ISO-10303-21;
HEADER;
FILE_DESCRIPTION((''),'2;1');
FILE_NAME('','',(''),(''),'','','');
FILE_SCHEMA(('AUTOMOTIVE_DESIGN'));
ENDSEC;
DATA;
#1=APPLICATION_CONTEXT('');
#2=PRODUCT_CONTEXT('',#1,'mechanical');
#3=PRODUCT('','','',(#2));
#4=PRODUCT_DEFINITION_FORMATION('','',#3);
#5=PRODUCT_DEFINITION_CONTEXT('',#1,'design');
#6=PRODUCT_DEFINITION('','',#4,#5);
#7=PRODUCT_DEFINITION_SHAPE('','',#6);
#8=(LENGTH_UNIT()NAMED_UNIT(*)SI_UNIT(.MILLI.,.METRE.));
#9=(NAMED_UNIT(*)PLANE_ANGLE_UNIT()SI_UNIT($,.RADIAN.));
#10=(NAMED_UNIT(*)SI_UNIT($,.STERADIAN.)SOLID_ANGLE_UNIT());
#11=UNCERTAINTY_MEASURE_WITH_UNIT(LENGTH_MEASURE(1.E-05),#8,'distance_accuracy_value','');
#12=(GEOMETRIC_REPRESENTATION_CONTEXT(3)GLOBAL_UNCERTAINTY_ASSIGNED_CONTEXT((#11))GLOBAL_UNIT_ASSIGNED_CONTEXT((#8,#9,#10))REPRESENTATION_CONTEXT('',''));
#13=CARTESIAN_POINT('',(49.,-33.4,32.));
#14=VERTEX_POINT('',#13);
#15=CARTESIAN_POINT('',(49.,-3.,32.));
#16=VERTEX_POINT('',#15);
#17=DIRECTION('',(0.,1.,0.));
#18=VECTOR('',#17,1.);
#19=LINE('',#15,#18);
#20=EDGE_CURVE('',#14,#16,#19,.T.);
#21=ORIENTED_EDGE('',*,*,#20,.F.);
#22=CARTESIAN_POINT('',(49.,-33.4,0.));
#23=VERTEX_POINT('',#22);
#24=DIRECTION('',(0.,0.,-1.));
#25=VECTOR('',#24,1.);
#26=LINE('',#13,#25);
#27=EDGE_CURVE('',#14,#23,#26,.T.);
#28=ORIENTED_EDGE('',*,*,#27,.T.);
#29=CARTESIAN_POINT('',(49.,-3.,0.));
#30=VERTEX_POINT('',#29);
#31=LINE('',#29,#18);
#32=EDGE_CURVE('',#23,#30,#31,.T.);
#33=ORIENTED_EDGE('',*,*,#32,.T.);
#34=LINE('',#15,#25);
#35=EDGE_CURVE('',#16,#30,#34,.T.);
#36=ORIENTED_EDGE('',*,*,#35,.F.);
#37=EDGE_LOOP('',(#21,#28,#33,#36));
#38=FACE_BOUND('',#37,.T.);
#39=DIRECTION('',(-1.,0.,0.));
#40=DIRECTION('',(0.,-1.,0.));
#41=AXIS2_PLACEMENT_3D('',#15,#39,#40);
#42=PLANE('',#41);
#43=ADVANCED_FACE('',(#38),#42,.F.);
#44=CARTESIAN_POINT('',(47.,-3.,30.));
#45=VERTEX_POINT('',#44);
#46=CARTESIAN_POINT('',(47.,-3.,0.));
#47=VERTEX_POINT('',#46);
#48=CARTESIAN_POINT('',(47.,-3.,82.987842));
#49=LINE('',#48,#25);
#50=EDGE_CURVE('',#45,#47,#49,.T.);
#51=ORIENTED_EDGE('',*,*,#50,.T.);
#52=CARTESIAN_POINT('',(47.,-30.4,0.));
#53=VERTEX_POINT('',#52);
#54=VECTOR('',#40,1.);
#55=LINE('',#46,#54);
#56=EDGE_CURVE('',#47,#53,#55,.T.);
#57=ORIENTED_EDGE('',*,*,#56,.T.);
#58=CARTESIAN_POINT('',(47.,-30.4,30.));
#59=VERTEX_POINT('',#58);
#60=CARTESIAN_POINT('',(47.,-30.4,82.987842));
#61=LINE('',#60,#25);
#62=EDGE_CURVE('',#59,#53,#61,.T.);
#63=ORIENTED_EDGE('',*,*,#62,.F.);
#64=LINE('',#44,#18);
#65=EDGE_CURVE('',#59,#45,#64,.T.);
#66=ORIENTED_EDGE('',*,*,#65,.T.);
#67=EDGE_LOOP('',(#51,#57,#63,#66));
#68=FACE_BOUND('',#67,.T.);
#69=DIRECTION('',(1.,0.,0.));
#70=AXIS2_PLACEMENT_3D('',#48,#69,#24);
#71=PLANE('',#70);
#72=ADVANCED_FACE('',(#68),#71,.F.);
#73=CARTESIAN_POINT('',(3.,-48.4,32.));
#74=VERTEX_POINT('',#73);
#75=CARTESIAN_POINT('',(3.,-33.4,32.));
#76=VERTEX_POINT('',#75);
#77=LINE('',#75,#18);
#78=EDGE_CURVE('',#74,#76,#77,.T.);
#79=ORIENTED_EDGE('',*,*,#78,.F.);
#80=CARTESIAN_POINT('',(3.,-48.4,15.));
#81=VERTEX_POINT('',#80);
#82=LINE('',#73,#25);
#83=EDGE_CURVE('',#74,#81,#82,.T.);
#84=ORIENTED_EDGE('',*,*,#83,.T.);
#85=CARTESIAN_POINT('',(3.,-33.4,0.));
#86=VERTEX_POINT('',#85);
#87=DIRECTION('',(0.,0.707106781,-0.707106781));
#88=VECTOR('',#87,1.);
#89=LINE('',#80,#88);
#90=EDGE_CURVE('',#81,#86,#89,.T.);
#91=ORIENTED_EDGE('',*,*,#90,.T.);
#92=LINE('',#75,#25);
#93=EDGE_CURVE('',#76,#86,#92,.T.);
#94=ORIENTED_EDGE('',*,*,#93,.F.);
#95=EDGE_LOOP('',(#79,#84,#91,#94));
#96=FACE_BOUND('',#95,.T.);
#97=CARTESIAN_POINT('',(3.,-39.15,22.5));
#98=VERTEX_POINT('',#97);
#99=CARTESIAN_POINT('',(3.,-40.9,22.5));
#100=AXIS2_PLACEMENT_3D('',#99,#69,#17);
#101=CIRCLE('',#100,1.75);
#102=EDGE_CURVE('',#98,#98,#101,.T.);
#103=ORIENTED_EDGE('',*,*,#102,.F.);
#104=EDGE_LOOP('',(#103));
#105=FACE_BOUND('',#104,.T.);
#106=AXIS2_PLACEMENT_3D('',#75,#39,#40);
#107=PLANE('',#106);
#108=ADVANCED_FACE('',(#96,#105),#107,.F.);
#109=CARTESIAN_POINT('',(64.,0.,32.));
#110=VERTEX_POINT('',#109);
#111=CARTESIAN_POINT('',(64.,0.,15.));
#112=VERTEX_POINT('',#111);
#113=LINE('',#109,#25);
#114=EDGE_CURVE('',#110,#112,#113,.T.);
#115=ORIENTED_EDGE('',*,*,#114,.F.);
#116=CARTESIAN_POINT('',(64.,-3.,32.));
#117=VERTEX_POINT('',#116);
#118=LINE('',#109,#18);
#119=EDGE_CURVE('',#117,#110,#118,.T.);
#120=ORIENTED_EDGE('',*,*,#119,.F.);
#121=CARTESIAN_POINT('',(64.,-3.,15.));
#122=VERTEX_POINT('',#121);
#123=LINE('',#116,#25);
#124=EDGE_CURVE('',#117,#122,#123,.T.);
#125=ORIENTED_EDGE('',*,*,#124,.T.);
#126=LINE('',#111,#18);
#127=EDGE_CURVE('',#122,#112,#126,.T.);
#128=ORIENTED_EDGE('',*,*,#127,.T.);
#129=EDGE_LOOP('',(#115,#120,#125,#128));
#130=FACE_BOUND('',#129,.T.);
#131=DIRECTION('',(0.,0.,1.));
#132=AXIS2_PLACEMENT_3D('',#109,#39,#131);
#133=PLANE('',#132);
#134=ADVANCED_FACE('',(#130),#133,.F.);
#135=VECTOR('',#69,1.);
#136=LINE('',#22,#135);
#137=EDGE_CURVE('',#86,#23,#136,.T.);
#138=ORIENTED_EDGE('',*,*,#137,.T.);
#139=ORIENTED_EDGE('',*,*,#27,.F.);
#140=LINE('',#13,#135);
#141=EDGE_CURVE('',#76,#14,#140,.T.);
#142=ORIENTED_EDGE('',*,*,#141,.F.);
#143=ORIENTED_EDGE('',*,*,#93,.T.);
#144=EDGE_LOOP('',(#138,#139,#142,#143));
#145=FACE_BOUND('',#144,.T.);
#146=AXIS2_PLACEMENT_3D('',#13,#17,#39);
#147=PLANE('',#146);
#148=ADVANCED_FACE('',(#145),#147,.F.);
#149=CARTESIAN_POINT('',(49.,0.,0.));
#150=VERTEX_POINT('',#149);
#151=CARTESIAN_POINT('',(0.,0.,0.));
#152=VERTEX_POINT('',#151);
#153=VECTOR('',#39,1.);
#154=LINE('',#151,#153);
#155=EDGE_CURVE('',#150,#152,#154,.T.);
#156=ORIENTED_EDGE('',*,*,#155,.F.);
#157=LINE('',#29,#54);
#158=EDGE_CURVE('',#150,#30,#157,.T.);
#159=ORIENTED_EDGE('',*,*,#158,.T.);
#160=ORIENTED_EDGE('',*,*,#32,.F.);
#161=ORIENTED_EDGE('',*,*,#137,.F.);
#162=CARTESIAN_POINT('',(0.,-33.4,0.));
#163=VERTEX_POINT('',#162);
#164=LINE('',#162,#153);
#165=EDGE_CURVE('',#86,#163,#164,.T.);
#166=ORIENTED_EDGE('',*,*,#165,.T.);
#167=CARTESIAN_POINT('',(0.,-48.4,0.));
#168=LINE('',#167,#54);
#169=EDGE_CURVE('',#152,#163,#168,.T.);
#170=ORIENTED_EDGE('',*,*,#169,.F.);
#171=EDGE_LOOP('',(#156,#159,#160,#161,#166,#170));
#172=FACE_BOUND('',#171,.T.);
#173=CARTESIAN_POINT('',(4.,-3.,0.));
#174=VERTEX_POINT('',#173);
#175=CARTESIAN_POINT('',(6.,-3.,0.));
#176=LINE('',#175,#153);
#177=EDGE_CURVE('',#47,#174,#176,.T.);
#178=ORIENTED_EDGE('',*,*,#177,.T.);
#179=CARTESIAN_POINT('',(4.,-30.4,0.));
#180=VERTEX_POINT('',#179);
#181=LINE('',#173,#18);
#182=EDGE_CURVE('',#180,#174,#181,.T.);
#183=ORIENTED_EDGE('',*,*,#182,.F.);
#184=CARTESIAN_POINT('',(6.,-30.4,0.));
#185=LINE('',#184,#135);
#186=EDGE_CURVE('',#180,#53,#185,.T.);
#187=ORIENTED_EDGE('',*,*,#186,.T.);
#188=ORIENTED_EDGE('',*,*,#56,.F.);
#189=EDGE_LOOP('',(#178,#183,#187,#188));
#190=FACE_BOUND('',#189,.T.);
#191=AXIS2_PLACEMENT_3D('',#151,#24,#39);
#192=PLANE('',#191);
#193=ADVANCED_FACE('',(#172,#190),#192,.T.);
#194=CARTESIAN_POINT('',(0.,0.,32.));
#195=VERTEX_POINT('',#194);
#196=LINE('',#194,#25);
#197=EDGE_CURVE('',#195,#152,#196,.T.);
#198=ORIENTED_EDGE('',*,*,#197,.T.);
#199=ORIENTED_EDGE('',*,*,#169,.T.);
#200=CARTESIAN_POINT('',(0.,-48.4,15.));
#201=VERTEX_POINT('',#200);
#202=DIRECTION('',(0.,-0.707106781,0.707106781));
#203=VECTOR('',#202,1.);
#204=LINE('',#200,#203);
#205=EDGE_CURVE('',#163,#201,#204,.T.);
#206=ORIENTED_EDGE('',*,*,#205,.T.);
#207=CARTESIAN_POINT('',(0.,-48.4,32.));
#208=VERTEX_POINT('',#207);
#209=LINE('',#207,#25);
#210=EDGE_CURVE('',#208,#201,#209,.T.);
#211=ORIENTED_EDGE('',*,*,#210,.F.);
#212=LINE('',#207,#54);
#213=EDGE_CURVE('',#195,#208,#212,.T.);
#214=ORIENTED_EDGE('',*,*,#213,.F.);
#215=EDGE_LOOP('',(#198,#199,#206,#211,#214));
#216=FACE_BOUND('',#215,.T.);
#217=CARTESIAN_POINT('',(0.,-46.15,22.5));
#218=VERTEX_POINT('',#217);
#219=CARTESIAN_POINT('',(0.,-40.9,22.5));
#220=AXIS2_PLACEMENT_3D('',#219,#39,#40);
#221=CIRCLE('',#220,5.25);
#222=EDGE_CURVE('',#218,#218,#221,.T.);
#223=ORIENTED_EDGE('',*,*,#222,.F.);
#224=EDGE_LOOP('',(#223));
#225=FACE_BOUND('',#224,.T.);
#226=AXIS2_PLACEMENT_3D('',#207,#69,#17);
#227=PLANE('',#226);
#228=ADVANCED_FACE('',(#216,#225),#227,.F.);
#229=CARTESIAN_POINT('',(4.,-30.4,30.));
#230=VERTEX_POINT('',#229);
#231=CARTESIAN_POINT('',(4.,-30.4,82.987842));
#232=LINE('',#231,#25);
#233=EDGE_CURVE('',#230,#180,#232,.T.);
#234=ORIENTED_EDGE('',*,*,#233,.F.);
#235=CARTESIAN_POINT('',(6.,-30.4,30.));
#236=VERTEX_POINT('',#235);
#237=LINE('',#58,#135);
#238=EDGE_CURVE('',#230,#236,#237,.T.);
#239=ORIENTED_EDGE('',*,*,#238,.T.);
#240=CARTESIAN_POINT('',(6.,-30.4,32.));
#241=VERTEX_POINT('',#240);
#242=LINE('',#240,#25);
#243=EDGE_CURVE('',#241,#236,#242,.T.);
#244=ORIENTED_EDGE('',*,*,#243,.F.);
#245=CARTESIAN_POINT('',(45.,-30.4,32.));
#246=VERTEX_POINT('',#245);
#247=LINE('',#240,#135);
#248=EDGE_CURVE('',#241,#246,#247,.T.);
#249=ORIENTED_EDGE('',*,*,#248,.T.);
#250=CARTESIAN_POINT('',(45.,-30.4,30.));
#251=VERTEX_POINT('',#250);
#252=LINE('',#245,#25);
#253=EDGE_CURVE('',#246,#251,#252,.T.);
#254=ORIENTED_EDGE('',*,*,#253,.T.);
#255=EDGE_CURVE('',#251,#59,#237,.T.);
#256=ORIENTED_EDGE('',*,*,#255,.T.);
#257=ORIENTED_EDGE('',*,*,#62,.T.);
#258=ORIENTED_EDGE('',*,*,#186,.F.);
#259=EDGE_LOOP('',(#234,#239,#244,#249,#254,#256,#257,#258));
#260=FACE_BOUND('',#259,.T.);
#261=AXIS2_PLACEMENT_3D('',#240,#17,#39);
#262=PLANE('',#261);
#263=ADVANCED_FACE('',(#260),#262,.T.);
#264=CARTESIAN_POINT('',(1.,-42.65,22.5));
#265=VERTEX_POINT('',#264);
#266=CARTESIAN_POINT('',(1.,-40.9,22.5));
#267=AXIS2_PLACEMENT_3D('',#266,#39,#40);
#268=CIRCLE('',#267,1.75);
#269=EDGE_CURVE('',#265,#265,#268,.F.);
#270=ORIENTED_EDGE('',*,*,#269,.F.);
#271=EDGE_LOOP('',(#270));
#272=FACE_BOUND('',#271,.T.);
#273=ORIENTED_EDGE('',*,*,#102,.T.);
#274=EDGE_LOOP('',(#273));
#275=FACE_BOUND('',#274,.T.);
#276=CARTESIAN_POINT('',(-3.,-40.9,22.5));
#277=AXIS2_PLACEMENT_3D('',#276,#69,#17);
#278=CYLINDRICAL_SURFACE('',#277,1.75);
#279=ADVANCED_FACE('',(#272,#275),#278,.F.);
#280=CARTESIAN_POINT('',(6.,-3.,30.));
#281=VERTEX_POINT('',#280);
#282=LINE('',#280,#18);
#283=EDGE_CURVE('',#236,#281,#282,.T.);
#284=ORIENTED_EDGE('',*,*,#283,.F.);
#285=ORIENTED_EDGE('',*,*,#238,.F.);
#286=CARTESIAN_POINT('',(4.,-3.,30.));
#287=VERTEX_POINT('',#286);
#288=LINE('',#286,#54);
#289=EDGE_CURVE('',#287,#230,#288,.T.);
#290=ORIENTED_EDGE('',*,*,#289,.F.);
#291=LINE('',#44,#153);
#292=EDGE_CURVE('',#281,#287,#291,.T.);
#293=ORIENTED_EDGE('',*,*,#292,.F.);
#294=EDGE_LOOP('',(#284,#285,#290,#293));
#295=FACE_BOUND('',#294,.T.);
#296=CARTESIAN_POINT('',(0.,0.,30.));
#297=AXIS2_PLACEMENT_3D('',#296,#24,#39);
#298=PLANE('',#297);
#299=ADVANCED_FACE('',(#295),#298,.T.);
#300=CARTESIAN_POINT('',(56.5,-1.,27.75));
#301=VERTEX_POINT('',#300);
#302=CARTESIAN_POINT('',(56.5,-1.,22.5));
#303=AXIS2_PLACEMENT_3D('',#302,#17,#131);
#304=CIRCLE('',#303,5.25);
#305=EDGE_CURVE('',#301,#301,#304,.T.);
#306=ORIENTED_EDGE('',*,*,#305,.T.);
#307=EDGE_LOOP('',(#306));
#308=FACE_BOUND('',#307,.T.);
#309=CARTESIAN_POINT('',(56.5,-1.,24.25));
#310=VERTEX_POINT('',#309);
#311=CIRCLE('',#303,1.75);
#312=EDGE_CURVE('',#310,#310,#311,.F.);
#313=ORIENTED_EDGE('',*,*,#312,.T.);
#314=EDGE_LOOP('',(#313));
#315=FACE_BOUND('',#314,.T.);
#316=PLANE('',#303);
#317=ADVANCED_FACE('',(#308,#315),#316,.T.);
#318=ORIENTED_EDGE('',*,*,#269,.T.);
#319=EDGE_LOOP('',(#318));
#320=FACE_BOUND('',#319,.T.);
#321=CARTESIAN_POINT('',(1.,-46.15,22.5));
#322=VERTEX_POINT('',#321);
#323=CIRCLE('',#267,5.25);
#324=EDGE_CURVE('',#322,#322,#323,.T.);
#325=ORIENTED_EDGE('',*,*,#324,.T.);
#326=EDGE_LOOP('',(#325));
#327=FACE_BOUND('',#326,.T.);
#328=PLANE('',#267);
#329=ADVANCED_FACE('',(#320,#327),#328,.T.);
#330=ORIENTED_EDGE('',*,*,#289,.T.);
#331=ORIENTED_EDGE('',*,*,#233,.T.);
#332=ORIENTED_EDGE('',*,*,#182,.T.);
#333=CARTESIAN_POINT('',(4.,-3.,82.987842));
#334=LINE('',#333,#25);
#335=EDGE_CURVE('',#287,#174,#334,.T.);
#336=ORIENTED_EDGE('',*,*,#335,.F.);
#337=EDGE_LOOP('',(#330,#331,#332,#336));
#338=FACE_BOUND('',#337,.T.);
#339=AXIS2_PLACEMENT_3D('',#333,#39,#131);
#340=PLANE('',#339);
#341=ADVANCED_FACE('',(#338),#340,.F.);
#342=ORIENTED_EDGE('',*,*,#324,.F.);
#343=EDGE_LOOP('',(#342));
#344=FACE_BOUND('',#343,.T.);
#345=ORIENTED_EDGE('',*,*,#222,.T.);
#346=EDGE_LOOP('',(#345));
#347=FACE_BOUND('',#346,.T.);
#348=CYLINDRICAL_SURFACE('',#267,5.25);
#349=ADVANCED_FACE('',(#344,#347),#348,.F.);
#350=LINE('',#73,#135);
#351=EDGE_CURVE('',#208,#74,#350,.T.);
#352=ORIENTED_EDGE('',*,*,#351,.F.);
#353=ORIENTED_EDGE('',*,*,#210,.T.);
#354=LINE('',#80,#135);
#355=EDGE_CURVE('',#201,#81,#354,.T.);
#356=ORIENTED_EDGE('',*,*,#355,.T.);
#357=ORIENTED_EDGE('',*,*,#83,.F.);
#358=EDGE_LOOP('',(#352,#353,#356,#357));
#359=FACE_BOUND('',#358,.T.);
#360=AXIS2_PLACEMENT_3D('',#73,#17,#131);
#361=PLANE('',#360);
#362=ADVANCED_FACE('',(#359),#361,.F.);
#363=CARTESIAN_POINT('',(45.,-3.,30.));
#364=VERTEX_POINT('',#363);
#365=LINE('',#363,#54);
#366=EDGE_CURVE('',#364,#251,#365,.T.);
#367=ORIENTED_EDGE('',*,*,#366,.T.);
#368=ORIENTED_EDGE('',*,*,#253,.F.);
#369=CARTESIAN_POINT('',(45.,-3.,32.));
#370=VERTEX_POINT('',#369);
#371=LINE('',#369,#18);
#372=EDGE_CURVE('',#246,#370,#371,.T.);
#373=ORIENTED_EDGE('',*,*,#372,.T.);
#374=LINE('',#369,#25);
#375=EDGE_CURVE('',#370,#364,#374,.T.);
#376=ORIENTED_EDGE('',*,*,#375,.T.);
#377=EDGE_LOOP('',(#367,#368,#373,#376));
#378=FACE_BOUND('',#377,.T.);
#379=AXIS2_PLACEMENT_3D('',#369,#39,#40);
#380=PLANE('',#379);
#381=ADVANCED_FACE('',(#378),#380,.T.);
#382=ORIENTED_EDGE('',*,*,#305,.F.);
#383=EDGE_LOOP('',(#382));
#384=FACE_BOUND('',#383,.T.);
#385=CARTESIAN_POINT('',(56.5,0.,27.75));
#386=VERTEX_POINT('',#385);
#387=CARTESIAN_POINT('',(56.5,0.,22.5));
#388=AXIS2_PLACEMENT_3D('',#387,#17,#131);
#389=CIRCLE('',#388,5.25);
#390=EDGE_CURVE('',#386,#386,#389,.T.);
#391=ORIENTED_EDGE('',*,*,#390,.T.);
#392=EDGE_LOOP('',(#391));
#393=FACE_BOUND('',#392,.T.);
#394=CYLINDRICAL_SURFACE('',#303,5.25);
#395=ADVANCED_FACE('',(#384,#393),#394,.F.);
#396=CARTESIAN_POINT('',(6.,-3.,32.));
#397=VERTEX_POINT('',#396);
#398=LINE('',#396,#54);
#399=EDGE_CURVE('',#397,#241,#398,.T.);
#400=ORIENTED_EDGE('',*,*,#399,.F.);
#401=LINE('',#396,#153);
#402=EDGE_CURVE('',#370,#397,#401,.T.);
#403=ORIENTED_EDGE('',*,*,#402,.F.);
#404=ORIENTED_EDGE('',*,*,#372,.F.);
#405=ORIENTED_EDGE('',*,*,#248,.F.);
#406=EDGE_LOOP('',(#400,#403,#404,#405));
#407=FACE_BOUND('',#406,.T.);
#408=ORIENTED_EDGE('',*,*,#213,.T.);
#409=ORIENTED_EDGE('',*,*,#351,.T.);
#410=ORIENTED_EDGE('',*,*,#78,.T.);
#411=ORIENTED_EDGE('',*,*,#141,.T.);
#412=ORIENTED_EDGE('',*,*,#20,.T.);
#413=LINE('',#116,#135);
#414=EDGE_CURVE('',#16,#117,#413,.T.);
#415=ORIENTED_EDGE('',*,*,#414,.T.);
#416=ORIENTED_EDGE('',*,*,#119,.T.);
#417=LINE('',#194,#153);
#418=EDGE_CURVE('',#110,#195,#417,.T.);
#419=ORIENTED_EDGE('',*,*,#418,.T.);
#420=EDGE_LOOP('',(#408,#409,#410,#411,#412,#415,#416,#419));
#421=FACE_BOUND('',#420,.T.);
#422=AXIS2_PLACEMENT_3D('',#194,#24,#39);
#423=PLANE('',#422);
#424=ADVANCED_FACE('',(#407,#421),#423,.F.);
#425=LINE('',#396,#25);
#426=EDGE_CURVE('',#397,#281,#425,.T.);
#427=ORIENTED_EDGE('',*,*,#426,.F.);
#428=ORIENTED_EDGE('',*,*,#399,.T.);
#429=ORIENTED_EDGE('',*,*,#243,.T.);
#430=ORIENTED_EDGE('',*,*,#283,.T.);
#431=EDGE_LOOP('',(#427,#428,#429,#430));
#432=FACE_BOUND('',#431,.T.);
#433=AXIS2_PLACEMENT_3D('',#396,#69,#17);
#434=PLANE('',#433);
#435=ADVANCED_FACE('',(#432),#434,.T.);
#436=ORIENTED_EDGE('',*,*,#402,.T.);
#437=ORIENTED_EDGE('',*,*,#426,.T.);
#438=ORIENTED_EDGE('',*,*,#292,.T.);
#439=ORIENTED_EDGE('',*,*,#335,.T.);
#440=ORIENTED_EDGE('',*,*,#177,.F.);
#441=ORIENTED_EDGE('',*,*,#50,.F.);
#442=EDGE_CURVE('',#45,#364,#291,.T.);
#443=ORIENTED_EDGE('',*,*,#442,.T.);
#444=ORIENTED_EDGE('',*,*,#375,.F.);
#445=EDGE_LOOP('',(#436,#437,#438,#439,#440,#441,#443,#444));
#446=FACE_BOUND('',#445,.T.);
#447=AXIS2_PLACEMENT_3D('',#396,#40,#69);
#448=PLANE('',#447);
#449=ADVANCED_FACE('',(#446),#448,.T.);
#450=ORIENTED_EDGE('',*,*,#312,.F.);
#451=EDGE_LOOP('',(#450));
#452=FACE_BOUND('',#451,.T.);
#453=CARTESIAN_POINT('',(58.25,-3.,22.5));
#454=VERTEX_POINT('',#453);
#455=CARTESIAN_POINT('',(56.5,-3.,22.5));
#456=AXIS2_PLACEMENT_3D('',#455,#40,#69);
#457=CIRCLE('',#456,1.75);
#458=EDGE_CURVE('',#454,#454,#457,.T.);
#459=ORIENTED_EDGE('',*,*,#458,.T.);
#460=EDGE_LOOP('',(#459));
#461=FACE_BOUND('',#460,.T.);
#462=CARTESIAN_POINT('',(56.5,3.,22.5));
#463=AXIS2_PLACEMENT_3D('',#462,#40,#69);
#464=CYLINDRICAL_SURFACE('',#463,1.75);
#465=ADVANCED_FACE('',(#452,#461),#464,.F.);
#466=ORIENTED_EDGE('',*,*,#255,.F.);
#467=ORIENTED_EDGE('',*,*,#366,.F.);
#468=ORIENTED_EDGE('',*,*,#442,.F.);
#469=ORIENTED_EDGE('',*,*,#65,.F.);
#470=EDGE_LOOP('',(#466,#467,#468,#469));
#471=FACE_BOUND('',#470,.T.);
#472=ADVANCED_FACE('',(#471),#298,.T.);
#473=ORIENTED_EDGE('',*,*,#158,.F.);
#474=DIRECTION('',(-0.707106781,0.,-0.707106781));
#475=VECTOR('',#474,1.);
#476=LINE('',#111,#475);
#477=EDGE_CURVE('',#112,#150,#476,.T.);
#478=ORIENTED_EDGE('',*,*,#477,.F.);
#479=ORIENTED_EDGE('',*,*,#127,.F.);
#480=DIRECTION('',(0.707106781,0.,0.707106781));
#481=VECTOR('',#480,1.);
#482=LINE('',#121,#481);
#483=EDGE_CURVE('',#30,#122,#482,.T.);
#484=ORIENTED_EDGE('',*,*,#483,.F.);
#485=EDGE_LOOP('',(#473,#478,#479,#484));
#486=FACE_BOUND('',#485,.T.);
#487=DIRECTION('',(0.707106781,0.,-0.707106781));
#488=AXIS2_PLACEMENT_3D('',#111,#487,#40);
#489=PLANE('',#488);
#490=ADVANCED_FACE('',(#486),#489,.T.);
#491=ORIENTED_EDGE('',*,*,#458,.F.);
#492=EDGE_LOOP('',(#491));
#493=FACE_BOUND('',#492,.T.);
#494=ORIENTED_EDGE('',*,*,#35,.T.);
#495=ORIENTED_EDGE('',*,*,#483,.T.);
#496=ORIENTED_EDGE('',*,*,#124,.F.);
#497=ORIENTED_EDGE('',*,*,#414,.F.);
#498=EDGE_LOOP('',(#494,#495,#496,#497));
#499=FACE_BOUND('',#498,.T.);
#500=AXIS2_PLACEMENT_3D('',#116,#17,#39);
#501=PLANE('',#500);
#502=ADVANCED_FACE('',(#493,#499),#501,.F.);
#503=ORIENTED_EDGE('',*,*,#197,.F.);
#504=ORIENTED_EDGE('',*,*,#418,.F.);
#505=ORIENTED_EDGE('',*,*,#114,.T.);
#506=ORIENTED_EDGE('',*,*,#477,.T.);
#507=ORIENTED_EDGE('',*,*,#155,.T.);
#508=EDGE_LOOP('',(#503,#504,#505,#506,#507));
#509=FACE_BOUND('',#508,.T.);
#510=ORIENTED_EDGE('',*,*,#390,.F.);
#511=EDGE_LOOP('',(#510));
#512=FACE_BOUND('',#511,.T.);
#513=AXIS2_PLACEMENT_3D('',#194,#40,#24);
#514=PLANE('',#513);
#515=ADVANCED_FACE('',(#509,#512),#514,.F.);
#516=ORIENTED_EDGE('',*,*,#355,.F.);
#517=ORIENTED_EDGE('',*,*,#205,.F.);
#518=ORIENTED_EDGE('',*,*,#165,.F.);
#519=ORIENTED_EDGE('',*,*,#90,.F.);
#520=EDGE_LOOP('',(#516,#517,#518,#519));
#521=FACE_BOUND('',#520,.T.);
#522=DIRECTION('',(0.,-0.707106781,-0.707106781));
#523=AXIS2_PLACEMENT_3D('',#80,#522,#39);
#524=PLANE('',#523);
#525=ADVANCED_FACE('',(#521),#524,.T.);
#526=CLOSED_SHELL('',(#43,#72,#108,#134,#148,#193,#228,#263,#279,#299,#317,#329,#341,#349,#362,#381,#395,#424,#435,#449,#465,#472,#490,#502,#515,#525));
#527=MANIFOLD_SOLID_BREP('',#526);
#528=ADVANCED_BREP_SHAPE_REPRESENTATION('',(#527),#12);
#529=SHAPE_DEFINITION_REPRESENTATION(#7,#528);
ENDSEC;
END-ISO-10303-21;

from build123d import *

# Parameters (mm, degrees)
ESBO_O1_W                = 39
ESBO_O1_H                = 27.4
RESSALTO_EXTRUS_O1_DEPTH = 32
ESBO_O2_W                = 43
ESBO_O2_H                = 27.4
CORTE_EXTRUS_O1_DEPTH    = 30
ESBO_O3_R                = 1.75
CORTE_EXTRUS_O2_DEPTH    = 6
ESBO_O4_R                = 1.75
CORTE_EXTRUS_O3_DEPTH    = 6
CHANFRO1_SIZE            = 15
ESBO_O5_R                = 5.25
CORTE_EXTRUS_O4_DEPTH    = 1
ESBO_O6_R                = 5.25
CORTE_EXTRUS_O5_DEPTH    = 1


with BuildPart() as part:
    # Esboço1 → Ressalto-extrusão1 (new body)
    with BuildSketch(Plane.XY):
        Polygon((0, 0), (64, 0), (64, -3), (49, -3), (49, -33.4), (3, -33.4), (3, -48.4), (0, -48.4), align=None)
        with Locations((25.5, -16.7)):
            Rectangle(ESBO_O1_W, ESBO_O1_H, mode=Mode.SUBTRACT)
    extrude(amount=RESSALTO_EXTRUS_O1_DEPTH)

    # Esboço2 → Corte-extrusão1 (cut)
    with BuildSketch(Plane(origin=(0, 0, 0), x_dir=(-1, 0, 0), z_dir=(0, 0, -1))):
        with Locations((-25.5, -16.7)):
            Rectangle(ESBO_O2_W, ESBO_O2_H)
    extrude(amount=-CORTE_EXTRUS_O1_DEPTH, mode=Mode.SUBTRACT)

    # Esboço3 → Corte-extrusão2 (cut)
    with BuildSketch(Plane.XZ.offset(3)):
        with Locations((56.5, 22.5)):
            Circle(ESBO_O3_R)
    extrude(amount=-CORTE_EXTRUS_O2_DEPTH, mode=Mode.SUBTRACT)

    # Esboço4 → Corte-extrusão3 (cut)
    with BuildSketch(Plane(origin=(3, 0, 0), x_dir=(0, 0, -1), z_dir=(1, 0, 0))):
        with Locations((-22.5, -40.9)):
            Circle(ESBO_O4_R)
    extrude(amount=-CORTE_EXTRUS_O3_DEPTH, mode=Mode.SUBTRACT)

    # Chanfro1
    chanfro1_edges = [part.edges().sort_by_distance(p)[0] for p in [
        (1.5, -48.4, 0),
        (64, -1.5, 0),
    ]]
    chamfer(chanfro1_edges, length=CHANFRO1_SIZE)

    # Esboço5 → Corte-extrusão4 (cut)
    with BuildSketch(Plane(origin=(0, 0, 0), x_dir=(1, 0, 0), z_dir=(0, 1, 0))):
        with Locations((56.5, -22.5)):
            Circle(ESBO_O5_R)
    extrude(amount=-CORTE_EXTRUS_O4_DEPTH, mode=Mode.SUBTRACT)

    # Esboço6 → Corte-extrusão5 (cut)
    with BuildSketch(Plane.ZY):
        with Locations((22.5, -40.9)):
            Circle(ESBO_O6_R)
    extrude(amount=-CORTE_EXTRUS_O5_DEPTH, mode=Mode.SUBTRACT)


solid = part.part
